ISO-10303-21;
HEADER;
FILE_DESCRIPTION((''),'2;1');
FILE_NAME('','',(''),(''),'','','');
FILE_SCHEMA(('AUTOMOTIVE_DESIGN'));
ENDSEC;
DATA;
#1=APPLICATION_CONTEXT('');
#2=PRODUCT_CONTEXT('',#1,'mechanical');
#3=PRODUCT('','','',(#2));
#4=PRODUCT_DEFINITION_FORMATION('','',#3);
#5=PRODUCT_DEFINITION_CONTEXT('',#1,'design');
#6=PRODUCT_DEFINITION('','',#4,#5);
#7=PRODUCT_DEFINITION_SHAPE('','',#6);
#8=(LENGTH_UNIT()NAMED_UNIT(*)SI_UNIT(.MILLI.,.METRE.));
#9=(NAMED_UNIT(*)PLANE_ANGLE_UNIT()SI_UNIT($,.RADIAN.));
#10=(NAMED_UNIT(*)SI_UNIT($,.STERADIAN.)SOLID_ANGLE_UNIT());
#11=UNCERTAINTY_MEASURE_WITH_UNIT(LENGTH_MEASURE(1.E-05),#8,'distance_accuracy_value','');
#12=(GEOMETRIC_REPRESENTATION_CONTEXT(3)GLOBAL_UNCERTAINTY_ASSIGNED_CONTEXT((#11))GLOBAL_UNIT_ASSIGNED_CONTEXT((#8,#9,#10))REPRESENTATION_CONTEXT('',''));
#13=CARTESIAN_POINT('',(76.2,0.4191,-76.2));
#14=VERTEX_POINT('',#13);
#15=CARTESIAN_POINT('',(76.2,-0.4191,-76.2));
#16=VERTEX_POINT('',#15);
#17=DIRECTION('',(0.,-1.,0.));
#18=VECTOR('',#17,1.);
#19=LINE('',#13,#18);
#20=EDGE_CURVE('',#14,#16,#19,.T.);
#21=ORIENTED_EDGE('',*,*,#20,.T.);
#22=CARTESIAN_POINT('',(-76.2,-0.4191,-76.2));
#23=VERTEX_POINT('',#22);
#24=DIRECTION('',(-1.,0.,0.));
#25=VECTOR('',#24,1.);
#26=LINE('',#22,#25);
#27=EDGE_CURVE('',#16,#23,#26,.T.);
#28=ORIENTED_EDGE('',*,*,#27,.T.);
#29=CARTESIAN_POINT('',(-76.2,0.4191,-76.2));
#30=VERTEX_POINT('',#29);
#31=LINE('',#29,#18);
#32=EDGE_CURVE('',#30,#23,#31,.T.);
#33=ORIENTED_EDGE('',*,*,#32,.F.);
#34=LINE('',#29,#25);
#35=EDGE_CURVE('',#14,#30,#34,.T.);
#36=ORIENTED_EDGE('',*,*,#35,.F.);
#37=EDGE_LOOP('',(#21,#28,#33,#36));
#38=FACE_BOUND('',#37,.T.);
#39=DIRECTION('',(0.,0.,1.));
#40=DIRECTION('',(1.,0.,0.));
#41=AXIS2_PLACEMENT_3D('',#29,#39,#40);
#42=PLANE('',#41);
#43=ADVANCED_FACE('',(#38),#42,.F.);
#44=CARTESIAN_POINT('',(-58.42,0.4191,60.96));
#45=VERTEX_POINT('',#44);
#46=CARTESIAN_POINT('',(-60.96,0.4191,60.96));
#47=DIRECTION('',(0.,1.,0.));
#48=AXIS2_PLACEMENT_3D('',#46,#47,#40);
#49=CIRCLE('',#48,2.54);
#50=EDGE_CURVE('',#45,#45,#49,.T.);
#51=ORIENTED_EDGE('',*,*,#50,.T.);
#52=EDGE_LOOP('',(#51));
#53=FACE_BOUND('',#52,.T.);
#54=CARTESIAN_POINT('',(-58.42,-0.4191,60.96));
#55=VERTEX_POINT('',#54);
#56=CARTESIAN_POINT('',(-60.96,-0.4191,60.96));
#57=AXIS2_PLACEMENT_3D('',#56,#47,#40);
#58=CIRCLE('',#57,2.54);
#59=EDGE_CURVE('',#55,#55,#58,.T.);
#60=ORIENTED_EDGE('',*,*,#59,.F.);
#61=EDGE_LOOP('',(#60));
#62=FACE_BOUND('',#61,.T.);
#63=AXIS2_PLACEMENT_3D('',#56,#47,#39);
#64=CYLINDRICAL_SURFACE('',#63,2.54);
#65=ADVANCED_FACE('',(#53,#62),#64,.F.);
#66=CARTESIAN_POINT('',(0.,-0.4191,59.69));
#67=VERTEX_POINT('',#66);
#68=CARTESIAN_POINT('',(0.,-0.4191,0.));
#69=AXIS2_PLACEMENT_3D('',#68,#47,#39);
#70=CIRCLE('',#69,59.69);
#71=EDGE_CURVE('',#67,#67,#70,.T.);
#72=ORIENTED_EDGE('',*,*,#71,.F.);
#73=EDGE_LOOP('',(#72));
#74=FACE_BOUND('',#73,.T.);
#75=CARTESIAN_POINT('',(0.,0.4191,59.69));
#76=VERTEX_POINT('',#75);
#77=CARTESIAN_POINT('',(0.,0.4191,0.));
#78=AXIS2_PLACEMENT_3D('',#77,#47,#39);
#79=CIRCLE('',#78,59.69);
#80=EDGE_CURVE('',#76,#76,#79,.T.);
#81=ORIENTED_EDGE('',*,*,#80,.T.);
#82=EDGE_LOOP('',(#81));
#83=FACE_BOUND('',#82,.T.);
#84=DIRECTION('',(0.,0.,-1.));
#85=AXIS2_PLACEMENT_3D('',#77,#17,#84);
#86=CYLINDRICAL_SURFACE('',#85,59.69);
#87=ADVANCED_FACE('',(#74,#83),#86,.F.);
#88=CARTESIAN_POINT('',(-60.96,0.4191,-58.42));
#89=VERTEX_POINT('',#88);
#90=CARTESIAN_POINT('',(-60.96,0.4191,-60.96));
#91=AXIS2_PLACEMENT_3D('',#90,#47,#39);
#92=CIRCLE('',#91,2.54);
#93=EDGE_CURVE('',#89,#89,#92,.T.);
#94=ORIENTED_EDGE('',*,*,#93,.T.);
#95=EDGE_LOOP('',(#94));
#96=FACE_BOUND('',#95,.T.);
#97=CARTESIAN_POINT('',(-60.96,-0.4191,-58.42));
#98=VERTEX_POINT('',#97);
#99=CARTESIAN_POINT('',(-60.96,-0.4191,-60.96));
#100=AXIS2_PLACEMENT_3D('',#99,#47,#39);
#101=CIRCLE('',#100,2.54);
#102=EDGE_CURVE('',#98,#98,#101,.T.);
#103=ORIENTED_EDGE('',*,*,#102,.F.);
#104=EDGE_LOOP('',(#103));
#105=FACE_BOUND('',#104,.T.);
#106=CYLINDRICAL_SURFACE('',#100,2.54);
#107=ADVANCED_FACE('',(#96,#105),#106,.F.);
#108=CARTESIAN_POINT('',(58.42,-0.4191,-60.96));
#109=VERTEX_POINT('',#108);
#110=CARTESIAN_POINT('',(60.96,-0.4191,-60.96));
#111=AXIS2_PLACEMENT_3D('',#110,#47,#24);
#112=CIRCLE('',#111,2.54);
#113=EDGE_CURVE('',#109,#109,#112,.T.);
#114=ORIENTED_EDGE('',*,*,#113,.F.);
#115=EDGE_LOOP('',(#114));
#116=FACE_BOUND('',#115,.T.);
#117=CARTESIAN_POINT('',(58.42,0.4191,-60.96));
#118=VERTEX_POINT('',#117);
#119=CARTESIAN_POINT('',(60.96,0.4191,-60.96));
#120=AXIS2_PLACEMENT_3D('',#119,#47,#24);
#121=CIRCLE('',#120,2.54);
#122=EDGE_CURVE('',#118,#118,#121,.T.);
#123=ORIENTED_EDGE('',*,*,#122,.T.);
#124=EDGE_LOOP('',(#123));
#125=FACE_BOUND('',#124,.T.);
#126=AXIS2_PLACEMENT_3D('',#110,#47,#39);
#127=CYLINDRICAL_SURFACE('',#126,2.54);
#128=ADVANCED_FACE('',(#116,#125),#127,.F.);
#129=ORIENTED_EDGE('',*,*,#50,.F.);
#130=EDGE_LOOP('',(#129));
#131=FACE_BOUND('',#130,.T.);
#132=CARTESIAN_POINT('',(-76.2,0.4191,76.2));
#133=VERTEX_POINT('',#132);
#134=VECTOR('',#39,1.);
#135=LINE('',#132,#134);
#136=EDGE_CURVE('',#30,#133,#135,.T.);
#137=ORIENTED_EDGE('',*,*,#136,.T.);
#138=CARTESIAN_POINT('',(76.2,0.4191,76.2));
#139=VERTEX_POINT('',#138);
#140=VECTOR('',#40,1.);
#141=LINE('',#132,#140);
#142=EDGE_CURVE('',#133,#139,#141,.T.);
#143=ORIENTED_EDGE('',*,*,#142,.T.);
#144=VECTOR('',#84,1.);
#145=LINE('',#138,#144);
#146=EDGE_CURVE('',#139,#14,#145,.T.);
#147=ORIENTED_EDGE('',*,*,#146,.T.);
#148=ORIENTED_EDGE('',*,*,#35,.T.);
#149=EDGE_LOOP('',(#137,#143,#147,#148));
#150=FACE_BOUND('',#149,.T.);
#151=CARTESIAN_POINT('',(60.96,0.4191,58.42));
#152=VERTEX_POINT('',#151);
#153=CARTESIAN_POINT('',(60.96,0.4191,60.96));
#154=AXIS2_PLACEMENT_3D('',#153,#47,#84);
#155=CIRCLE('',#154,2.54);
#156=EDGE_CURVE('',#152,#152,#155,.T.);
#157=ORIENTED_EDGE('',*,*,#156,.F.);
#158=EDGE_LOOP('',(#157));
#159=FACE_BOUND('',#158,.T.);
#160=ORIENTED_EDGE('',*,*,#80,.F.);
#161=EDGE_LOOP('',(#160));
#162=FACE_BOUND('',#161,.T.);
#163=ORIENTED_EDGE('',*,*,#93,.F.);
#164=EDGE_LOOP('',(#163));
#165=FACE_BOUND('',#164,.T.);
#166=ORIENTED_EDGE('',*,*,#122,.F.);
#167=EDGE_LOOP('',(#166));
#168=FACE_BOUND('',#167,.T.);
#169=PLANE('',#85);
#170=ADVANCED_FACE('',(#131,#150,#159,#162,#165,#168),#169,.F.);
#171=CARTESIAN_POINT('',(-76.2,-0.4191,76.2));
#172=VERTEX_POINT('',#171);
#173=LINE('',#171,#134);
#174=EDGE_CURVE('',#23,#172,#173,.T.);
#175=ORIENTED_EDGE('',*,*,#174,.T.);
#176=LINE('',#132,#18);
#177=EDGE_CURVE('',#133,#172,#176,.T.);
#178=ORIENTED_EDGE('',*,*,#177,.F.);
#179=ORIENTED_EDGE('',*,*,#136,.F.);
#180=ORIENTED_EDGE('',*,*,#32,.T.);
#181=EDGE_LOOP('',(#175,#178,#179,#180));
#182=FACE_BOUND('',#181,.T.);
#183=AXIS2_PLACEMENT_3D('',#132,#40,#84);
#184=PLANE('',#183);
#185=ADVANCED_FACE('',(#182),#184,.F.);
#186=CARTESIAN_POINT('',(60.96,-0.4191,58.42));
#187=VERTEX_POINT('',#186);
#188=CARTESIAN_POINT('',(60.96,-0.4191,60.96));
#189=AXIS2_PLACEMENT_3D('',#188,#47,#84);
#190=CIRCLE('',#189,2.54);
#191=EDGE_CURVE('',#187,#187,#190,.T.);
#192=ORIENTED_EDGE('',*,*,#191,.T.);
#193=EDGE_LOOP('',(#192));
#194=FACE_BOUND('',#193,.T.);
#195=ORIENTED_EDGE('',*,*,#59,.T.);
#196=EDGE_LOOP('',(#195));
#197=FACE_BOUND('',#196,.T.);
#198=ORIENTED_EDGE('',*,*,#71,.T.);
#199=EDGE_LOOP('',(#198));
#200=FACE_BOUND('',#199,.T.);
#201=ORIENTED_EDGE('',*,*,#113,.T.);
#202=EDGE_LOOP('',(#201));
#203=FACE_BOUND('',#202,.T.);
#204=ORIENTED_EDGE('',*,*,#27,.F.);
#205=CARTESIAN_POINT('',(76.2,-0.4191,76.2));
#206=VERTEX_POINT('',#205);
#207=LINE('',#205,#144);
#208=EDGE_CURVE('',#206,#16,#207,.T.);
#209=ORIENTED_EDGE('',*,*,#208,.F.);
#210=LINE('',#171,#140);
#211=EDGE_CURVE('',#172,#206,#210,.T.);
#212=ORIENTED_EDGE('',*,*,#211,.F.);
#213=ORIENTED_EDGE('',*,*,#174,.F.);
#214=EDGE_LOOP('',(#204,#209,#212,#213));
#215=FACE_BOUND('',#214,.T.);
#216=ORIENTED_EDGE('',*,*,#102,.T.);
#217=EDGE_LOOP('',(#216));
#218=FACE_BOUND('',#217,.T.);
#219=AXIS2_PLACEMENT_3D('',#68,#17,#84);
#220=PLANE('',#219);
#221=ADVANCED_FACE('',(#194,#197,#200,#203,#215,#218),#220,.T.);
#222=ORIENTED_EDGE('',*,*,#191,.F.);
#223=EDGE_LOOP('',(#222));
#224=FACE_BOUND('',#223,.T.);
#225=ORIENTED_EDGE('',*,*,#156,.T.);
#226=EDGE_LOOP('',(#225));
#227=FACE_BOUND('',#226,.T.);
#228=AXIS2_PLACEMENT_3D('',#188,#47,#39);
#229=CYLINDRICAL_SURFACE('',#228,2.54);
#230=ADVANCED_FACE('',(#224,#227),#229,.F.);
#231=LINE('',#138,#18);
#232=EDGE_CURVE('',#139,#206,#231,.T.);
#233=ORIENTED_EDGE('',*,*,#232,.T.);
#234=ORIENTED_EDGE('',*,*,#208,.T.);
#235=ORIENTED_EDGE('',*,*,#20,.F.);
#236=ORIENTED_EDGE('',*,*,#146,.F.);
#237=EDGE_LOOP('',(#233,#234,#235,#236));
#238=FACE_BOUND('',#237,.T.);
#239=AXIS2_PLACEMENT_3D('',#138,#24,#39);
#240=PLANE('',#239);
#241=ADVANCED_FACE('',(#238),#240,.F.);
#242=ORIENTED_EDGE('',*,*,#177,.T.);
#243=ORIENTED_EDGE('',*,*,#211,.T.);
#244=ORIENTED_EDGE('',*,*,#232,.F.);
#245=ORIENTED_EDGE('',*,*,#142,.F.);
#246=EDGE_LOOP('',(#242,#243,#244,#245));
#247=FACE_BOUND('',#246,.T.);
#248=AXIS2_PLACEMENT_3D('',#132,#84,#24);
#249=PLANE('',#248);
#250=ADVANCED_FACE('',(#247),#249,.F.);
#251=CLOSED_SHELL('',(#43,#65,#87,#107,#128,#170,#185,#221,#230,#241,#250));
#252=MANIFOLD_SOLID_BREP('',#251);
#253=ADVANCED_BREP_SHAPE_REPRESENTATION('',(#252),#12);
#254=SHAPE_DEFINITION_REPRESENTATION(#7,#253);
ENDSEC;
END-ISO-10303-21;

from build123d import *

# Parameters (mm, degrees)
SKETCH1_W           = 152.4
SKETCH1_H           = 152.4
SKETCH1_R           = 59.69
BOSS_EXTRUDE1_DEPTH = 0.4191
SKETCH2_R           = 2.54
CUT_EXTRUDE1_DEPTH  = 108.766333236
CIRPATTERN1_COUNT   = 4


with BuildPart() as part:
    # Sketch1 → Boss-Extrude1 (new, symmetric)
    with BuildSketch(Plane(origin=(0, 0, 0), x_dir=(1, 0, 0), z_dir=(0, 1, 0))):
        Rectangle(SKETCH1_W, SKETCH1_H)
        with Locations(Location((0, 0, 0), (0, 0, 270))):
            Circle(SKETCH1_R, mode=Mode.SUBTRACT)
    extrude(amount=BOSS_EXTRUDE1_DEPTH, both=True)

    # Sketch2 → Cut-Extrude1 (cut, through all)
    with BuildSketch(Plane(origin=(0, 0.4191, 0), x_dir=(1, 0, 0), z_dir=(0, 1, 0))):
        with Locations(Location((-60.96, 60.96, 0), (0, 0, 270))):
            Circle(SKETCH2_R)
    cut_extrude1 = extrude(amount=-CUT_EXTRUDE1_DEPTH, mode=Mode.SUBTRACT)

    # CirPattern1: Cut-Extrude1 ×4 about axis
    cirpattern1_axis = Axis((0, 0, 0), (0, 1, 0))
    for i in range(1, CIRPATTERN1_COUNT):
        add(cut_extrude1.rotate(cirpattern1_axis, i * 360 / CIRPATTERN1_COUNT), mode=Mode.SUBTRACT)


solid = part.part
